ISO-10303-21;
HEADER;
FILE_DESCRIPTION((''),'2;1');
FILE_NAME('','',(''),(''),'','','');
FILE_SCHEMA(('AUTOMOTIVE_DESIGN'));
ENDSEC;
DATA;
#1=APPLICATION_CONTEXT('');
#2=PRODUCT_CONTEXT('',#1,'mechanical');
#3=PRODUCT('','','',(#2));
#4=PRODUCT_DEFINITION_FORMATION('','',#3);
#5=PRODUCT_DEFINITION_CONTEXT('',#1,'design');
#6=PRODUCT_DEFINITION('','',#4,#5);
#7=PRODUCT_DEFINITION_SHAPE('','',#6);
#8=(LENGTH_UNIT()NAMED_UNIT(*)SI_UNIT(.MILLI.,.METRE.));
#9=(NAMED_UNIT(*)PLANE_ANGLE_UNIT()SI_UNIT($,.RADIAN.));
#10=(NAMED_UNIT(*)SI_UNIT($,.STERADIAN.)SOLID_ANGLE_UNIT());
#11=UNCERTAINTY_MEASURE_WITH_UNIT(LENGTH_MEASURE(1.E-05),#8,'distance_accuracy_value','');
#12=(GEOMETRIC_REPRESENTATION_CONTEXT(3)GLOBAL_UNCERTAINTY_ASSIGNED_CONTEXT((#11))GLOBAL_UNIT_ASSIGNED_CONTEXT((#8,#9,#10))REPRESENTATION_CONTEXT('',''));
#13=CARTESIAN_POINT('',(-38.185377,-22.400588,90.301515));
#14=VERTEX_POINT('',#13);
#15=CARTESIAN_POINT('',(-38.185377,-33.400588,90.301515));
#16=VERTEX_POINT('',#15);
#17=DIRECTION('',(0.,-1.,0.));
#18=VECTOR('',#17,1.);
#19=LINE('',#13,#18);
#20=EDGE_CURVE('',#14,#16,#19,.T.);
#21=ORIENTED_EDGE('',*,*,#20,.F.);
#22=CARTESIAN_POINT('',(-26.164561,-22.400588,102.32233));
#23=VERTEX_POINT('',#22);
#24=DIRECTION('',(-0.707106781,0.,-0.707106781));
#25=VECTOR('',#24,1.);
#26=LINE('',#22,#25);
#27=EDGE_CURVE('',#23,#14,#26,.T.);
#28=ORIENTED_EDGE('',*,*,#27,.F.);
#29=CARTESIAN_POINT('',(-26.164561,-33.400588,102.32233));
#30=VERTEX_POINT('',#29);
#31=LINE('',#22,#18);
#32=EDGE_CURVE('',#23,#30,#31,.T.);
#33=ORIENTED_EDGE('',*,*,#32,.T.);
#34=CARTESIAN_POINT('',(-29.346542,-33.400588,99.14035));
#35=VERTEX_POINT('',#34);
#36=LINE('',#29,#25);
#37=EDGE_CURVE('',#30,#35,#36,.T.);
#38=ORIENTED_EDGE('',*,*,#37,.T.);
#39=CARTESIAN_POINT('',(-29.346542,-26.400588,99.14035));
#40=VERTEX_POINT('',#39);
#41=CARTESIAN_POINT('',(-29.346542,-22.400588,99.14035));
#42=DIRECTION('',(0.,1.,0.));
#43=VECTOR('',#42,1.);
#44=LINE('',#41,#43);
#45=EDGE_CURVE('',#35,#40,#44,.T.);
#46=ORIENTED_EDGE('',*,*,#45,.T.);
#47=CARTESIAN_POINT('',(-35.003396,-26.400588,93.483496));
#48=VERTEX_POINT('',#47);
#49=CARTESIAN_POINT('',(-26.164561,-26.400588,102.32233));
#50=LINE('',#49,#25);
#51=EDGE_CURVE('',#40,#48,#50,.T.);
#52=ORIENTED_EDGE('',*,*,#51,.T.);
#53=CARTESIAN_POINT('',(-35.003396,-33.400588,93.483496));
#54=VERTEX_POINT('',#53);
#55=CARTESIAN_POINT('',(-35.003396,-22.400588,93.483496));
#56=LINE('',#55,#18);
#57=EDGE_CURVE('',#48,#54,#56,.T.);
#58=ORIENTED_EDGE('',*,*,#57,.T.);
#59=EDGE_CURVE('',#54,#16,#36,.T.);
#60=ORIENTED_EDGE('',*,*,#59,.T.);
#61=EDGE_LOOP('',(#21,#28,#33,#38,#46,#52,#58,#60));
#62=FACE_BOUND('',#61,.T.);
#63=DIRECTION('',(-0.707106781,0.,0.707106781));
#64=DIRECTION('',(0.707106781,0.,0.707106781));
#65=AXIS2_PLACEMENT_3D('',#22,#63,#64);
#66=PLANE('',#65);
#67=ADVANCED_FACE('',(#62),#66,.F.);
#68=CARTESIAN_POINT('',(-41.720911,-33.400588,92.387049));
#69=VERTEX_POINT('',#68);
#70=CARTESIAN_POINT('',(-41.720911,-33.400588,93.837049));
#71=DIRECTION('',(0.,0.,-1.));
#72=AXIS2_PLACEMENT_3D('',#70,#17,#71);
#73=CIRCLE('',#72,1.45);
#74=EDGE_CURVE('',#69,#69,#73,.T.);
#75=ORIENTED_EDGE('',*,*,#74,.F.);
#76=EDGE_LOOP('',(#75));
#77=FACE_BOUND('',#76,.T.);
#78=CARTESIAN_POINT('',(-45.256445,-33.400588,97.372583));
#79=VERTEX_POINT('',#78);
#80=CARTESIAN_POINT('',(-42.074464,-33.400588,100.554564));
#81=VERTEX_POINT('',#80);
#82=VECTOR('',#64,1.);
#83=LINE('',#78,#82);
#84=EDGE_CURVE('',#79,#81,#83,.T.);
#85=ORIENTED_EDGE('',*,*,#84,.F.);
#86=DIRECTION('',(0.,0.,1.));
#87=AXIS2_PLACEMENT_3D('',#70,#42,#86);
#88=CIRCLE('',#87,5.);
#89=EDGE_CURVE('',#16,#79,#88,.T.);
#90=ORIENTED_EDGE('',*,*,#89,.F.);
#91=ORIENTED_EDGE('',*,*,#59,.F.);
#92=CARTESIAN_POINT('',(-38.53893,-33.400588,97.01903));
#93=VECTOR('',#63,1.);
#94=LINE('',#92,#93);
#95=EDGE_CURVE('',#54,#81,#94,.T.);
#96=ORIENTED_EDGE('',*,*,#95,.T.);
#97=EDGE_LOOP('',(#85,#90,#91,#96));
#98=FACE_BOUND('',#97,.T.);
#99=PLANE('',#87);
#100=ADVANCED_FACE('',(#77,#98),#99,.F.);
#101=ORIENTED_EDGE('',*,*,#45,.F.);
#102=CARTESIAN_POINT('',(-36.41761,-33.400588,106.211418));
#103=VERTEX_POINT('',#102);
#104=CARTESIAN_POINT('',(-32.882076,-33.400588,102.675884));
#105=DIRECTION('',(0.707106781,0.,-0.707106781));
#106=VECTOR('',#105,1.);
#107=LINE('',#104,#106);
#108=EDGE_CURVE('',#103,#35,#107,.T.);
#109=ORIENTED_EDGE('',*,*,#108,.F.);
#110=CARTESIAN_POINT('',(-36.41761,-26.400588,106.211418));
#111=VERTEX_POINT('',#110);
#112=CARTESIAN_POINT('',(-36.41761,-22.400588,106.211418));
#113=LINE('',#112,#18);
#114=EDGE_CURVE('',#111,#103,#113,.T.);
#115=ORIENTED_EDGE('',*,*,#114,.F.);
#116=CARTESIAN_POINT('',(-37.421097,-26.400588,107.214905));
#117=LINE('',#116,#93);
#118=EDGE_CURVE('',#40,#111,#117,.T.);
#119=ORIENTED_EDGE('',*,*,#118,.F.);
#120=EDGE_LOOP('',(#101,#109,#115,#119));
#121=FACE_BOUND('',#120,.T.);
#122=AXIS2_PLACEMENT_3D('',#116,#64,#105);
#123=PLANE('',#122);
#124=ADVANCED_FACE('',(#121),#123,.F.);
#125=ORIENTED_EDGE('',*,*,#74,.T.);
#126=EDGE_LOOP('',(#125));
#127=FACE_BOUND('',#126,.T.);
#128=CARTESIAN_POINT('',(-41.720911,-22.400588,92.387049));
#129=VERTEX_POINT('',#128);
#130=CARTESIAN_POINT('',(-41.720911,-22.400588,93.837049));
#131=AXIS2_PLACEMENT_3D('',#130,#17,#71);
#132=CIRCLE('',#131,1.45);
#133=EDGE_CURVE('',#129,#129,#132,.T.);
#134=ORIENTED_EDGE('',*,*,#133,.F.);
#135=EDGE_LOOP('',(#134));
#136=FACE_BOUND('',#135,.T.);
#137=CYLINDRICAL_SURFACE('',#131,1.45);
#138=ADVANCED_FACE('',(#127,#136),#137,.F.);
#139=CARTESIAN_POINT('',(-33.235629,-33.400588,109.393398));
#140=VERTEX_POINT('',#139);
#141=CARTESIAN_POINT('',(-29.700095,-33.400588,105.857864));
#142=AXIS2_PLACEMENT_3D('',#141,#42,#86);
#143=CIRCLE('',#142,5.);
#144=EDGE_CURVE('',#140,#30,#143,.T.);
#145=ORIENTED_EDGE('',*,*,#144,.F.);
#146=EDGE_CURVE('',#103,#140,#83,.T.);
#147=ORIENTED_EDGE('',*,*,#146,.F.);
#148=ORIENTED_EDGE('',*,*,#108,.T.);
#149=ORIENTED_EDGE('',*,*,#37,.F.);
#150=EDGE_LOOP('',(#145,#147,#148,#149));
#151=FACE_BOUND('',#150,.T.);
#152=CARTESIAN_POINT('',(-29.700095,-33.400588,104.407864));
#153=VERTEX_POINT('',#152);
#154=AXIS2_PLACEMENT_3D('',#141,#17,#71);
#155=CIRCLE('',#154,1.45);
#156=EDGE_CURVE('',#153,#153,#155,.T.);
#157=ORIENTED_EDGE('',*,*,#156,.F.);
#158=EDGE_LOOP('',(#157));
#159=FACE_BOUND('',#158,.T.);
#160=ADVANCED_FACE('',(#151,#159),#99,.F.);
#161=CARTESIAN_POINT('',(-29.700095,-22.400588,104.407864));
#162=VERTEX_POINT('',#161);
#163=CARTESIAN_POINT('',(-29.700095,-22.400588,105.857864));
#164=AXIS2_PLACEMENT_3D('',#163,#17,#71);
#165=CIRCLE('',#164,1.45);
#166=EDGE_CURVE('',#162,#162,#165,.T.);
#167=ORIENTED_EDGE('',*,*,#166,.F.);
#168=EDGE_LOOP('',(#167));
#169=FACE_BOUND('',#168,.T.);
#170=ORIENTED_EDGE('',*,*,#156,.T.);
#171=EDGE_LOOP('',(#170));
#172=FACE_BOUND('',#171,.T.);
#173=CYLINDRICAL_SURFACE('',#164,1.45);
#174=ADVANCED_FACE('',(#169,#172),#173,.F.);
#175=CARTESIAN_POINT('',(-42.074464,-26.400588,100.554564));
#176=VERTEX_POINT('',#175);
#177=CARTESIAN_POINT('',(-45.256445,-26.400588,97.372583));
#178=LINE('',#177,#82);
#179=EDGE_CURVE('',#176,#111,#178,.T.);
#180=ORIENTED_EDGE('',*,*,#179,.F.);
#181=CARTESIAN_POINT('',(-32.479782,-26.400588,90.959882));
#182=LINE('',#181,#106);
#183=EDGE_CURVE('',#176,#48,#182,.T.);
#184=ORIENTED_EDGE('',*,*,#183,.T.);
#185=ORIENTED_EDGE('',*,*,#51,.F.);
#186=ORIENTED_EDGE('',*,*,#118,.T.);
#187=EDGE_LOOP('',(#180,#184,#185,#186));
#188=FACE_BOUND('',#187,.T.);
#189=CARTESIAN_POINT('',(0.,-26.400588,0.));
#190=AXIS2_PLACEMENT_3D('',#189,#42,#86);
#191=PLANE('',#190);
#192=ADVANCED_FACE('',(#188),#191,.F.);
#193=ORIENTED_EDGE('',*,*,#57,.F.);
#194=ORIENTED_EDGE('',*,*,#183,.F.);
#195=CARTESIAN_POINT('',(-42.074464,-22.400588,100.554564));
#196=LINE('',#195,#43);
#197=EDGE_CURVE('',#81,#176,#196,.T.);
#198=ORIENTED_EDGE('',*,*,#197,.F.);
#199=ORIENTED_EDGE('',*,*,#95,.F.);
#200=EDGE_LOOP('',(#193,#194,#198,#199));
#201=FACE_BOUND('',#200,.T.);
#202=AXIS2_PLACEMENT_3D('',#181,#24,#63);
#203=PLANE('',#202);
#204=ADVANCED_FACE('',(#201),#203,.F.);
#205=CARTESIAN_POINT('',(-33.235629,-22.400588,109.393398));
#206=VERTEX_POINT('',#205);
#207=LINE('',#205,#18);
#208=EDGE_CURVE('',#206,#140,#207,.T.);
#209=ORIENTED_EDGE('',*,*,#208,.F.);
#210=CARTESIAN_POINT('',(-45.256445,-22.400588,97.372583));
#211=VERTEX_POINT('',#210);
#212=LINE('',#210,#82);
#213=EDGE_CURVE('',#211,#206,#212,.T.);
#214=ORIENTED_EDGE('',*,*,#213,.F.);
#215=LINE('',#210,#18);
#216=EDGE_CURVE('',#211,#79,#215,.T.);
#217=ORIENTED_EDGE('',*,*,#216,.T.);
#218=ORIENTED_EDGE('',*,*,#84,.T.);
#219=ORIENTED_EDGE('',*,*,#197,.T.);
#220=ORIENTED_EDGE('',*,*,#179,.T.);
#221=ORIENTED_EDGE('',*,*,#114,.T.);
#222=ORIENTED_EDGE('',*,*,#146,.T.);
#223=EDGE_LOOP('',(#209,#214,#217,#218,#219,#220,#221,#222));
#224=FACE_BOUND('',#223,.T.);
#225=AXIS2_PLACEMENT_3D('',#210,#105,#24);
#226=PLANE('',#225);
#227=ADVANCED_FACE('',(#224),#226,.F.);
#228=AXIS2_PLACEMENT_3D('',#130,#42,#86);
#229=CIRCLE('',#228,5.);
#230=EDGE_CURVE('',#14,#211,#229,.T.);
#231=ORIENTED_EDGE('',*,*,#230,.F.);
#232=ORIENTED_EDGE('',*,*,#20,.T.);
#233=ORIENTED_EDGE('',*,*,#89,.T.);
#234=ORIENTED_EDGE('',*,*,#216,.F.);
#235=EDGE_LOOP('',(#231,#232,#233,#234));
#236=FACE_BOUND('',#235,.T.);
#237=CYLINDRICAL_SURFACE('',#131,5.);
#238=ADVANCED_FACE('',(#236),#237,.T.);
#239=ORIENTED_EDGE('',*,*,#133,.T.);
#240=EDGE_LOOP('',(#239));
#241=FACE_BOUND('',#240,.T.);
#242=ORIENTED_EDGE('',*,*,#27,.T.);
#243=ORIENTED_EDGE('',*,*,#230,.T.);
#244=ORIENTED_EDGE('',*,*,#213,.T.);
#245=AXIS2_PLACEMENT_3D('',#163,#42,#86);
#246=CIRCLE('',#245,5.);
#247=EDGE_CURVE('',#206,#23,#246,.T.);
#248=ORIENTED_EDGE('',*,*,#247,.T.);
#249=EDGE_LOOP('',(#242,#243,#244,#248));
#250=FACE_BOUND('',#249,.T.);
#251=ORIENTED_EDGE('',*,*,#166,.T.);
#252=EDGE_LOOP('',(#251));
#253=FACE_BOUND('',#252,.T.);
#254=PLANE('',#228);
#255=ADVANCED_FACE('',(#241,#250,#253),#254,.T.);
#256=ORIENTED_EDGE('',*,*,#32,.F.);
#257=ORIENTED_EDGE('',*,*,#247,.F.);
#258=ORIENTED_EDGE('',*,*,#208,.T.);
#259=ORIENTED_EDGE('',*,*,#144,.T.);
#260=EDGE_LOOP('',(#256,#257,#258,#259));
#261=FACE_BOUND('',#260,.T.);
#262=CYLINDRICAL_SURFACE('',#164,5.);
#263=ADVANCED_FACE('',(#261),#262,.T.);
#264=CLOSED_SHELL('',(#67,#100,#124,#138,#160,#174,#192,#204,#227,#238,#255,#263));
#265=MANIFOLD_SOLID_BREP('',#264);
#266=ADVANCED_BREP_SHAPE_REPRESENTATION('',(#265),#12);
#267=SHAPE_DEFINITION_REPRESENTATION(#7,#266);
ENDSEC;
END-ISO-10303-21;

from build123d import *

# Parameters (mm, degrees)
SALIENTE_EXTRUIR1_DEPTH = 11
CROQUIS2_R              = 1.45
CORTAR_EXTRUIR1_DEPTH   = 11
CORTAR_EXTRUIR2_DEPTH   = 7


with BuildPart() as part:
    # Croquis1 → Saliente-Extruir1 (new body)
    with BuildSketch(Plane(origin=(0, -33.400588291, 0), x_dir=(1, 0, 0), z_dir=(0, 1, 0))):
        with BuildLine():
            Line((-45.256444502, -97.372583002), (-33.235629222, -109.393398282))
            ThreePointArc((-33.235629222, -109.393398282), (-26.16456141, -109.393398282), (-26.16456141, -102.32233047))
            Line((-26.16456141, -102.32233047), (-38.18537669, -90.30151519))
            ThreePointArc((-38.18537669, -90.30151519), (-45.256444502, -90.30151519), (-45.256444502, -97.372583002))
        make_face()
    extrude(amount=SALIENTE_EXTRUIR1_DEPTH)

    # Croquis2 → Cortar-Extruir1 (cut)
    with BuildSketch(Plane.XZ.offset(33.400588291)):
        with Locations((-41.720910596, 93.837049096)):
            Circle(CROQUIS2_R)
        with Locations((-29.700095316, 105.857864376)):
            Circle(CROQUIS2_R)
    extrude(amount=-CORTAR_EXTRUIR1_DEPTH, mode=Mode.SUBTRACT)

    # Croquis3 → Cortar-Extruir2 (cut)
    with BuildSketch(Plane.XZ.offset(33.400588291)):
        Polygon((-40.24952431, 104.38647809), (-37.421097185, 107.214905215), (-26.82292811, 96.61673614), (-32.47978236, 90.95988189), (-43.077951435, 101.558050965), align=None)
    extrude(amount=-CORTAR_EXTRUIR2_DEPTH, mode=Mode.SUBTRACT)


solid = part.part
